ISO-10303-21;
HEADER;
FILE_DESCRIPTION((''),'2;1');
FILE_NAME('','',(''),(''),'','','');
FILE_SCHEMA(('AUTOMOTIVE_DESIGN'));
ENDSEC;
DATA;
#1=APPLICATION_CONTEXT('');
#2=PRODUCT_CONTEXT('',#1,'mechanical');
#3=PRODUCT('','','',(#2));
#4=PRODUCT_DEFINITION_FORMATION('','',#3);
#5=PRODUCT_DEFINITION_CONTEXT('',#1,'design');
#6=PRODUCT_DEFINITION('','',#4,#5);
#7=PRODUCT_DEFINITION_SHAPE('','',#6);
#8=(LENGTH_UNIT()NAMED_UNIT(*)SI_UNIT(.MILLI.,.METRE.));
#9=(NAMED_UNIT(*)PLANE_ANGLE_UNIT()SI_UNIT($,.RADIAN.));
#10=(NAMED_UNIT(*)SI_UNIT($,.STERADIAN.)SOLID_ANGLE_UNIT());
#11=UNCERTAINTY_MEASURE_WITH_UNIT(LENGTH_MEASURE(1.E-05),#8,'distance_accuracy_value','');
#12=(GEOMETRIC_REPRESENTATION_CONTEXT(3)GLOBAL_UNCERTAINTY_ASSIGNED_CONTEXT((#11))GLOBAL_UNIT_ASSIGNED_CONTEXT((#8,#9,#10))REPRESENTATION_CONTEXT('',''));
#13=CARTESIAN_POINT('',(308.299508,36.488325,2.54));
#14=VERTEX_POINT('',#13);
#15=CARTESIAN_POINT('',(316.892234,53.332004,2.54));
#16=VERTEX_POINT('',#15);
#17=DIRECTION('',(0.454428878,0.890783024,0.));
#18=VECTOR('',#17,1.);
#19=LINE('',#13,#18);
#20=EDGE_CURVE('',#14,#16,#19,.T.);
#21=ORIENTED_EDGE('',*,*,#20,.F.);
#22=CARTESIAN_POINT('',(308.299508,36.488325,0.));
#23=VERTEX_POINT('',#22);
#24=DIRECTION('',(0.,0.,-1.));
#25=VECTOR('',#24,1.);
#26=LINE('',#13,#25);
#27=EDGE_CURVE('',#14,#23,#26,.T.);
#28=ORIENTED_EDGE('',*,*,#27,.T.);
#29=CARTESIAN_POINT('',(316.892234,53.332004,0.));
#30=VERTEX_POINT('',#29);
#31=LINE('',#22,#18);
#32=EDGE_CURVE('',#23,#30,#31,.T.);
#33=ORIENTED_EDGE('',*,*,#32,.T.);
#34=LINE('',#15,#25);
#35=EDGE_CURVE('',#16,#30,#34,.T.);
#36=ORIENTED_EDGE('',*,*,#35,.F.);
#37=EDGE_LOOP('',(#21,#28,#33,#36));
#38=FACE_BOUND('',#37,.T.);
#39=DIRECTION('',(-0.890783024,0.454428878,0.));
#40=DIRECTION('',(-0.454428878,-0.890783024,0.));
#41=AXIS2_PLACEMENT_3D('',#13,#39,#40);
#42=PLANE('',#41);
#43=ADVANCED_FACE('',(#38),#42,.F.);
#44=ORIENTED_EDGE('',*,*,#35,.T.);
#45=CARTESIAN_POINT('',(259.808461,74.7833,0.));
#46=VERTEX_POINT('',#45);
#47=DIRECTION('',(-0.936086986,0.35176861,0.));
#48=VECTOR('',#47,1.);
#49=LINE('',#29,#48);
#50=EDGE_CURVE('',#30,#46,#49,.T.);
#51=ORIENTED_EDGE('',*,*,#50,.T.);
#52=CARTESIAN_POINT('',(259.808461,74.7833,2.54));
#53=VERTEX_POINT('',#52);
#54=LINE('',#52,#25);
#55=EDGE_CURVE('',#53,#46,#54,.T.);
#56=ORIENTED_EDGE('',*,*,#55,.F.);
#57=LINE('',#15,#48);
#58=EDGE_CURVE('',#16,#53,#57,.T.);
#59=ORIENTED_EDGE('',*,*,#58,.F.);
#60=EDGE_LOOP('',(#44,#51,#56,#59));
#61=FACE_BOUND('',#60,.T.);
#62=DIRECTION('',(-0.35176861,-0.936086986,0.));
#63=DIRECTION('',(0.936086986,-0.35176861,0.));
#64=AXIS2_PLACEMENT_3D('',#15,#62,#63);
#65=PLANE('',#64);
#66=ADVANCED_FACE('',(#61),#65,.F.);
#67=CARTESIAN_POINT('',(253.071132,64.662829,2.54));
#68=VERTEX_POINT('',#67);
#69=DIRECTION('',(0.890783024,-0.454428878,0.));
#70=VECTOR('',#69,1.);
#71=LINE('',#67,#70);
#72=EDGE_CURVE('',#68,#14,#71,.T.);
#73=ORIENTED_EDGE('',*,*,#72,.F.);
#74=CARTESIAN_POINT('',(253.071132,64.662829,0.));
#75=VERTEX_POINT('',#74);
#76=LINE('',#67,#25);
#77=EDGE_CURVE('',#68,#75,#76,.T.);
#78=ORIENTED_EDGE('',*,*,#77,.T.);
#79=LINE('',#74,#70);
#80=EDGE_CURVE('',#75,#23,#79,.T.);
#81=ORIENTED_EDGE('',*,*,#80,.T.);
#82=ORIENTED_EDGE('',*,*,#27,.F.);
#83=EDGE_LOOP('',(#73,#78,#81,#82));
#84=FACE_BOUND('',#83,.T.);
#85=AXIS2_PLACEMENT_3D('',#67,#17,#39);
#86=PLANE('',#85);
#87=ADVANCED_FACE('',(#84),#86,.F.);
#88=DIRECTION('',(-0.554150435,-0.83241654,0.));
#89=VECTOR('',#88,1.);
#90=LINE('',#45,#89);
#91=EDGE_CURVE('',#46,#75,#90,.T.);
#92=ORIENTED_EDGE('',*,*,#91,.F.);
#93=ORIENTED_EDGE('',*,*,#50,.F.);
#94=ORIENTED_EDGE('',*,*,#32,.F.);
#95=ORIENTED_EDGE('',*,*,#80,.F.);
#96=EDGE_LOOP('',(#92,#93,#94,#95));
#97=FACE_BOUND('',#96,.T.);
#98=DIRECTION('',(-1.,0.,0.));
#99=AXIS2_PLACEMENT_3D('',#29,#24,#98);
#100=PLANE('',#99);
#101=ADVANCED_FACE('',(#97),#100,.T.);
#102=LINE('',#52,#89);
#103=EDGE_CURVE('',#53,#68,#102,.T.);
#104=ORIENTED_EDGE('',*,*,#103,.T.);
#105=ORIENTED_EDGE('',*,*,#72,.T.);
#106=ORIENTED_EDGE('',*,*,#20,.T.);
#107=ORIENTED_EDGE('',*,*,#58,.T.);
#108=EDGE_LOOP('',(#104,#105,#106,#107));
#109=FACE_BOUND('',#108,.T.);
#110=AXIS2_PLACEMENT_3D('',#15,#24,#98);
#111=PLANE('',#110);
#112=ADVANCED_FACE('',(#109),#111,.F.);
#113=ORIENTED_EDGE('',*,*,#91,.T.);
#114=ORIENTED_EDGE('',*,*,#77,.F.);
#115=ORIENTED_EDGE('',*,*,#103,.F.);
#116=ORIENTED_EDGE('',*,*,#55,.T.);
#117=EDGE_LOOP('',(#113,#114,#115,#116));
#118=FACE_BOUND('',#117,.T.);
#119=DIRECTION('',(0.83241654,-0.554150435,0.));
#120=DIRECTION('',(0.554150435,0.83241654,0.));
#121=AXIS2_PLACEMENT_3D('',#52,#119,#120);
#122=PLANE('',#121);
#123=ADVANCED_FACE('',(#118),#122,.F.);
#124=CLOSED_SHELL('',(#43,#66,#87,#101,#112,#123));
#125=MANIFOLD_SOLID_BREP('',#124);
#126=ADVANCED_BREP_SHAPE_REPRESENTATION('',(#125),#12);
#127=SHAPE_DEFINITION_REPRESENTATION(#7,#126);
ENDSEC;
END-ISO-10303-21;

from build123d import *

# Parameters (mm, degrees)
BOSS_EXTRUDE1_DEPTH = 2.54


with BuildPart() as part:
    # Sketch1 → Boss-Extrude1 (new body)
    with BuildSketch(Plane.XY):
        Polygon((259.808460711, 74.78330048), (253.071131884, 64.662828502), (308.299508142, 36.488325419), (316.892233596, 53.332004014), align=None)
    extrude(amount=BOSS_EXTRUDE1_DEPTH)


solid = part.part
